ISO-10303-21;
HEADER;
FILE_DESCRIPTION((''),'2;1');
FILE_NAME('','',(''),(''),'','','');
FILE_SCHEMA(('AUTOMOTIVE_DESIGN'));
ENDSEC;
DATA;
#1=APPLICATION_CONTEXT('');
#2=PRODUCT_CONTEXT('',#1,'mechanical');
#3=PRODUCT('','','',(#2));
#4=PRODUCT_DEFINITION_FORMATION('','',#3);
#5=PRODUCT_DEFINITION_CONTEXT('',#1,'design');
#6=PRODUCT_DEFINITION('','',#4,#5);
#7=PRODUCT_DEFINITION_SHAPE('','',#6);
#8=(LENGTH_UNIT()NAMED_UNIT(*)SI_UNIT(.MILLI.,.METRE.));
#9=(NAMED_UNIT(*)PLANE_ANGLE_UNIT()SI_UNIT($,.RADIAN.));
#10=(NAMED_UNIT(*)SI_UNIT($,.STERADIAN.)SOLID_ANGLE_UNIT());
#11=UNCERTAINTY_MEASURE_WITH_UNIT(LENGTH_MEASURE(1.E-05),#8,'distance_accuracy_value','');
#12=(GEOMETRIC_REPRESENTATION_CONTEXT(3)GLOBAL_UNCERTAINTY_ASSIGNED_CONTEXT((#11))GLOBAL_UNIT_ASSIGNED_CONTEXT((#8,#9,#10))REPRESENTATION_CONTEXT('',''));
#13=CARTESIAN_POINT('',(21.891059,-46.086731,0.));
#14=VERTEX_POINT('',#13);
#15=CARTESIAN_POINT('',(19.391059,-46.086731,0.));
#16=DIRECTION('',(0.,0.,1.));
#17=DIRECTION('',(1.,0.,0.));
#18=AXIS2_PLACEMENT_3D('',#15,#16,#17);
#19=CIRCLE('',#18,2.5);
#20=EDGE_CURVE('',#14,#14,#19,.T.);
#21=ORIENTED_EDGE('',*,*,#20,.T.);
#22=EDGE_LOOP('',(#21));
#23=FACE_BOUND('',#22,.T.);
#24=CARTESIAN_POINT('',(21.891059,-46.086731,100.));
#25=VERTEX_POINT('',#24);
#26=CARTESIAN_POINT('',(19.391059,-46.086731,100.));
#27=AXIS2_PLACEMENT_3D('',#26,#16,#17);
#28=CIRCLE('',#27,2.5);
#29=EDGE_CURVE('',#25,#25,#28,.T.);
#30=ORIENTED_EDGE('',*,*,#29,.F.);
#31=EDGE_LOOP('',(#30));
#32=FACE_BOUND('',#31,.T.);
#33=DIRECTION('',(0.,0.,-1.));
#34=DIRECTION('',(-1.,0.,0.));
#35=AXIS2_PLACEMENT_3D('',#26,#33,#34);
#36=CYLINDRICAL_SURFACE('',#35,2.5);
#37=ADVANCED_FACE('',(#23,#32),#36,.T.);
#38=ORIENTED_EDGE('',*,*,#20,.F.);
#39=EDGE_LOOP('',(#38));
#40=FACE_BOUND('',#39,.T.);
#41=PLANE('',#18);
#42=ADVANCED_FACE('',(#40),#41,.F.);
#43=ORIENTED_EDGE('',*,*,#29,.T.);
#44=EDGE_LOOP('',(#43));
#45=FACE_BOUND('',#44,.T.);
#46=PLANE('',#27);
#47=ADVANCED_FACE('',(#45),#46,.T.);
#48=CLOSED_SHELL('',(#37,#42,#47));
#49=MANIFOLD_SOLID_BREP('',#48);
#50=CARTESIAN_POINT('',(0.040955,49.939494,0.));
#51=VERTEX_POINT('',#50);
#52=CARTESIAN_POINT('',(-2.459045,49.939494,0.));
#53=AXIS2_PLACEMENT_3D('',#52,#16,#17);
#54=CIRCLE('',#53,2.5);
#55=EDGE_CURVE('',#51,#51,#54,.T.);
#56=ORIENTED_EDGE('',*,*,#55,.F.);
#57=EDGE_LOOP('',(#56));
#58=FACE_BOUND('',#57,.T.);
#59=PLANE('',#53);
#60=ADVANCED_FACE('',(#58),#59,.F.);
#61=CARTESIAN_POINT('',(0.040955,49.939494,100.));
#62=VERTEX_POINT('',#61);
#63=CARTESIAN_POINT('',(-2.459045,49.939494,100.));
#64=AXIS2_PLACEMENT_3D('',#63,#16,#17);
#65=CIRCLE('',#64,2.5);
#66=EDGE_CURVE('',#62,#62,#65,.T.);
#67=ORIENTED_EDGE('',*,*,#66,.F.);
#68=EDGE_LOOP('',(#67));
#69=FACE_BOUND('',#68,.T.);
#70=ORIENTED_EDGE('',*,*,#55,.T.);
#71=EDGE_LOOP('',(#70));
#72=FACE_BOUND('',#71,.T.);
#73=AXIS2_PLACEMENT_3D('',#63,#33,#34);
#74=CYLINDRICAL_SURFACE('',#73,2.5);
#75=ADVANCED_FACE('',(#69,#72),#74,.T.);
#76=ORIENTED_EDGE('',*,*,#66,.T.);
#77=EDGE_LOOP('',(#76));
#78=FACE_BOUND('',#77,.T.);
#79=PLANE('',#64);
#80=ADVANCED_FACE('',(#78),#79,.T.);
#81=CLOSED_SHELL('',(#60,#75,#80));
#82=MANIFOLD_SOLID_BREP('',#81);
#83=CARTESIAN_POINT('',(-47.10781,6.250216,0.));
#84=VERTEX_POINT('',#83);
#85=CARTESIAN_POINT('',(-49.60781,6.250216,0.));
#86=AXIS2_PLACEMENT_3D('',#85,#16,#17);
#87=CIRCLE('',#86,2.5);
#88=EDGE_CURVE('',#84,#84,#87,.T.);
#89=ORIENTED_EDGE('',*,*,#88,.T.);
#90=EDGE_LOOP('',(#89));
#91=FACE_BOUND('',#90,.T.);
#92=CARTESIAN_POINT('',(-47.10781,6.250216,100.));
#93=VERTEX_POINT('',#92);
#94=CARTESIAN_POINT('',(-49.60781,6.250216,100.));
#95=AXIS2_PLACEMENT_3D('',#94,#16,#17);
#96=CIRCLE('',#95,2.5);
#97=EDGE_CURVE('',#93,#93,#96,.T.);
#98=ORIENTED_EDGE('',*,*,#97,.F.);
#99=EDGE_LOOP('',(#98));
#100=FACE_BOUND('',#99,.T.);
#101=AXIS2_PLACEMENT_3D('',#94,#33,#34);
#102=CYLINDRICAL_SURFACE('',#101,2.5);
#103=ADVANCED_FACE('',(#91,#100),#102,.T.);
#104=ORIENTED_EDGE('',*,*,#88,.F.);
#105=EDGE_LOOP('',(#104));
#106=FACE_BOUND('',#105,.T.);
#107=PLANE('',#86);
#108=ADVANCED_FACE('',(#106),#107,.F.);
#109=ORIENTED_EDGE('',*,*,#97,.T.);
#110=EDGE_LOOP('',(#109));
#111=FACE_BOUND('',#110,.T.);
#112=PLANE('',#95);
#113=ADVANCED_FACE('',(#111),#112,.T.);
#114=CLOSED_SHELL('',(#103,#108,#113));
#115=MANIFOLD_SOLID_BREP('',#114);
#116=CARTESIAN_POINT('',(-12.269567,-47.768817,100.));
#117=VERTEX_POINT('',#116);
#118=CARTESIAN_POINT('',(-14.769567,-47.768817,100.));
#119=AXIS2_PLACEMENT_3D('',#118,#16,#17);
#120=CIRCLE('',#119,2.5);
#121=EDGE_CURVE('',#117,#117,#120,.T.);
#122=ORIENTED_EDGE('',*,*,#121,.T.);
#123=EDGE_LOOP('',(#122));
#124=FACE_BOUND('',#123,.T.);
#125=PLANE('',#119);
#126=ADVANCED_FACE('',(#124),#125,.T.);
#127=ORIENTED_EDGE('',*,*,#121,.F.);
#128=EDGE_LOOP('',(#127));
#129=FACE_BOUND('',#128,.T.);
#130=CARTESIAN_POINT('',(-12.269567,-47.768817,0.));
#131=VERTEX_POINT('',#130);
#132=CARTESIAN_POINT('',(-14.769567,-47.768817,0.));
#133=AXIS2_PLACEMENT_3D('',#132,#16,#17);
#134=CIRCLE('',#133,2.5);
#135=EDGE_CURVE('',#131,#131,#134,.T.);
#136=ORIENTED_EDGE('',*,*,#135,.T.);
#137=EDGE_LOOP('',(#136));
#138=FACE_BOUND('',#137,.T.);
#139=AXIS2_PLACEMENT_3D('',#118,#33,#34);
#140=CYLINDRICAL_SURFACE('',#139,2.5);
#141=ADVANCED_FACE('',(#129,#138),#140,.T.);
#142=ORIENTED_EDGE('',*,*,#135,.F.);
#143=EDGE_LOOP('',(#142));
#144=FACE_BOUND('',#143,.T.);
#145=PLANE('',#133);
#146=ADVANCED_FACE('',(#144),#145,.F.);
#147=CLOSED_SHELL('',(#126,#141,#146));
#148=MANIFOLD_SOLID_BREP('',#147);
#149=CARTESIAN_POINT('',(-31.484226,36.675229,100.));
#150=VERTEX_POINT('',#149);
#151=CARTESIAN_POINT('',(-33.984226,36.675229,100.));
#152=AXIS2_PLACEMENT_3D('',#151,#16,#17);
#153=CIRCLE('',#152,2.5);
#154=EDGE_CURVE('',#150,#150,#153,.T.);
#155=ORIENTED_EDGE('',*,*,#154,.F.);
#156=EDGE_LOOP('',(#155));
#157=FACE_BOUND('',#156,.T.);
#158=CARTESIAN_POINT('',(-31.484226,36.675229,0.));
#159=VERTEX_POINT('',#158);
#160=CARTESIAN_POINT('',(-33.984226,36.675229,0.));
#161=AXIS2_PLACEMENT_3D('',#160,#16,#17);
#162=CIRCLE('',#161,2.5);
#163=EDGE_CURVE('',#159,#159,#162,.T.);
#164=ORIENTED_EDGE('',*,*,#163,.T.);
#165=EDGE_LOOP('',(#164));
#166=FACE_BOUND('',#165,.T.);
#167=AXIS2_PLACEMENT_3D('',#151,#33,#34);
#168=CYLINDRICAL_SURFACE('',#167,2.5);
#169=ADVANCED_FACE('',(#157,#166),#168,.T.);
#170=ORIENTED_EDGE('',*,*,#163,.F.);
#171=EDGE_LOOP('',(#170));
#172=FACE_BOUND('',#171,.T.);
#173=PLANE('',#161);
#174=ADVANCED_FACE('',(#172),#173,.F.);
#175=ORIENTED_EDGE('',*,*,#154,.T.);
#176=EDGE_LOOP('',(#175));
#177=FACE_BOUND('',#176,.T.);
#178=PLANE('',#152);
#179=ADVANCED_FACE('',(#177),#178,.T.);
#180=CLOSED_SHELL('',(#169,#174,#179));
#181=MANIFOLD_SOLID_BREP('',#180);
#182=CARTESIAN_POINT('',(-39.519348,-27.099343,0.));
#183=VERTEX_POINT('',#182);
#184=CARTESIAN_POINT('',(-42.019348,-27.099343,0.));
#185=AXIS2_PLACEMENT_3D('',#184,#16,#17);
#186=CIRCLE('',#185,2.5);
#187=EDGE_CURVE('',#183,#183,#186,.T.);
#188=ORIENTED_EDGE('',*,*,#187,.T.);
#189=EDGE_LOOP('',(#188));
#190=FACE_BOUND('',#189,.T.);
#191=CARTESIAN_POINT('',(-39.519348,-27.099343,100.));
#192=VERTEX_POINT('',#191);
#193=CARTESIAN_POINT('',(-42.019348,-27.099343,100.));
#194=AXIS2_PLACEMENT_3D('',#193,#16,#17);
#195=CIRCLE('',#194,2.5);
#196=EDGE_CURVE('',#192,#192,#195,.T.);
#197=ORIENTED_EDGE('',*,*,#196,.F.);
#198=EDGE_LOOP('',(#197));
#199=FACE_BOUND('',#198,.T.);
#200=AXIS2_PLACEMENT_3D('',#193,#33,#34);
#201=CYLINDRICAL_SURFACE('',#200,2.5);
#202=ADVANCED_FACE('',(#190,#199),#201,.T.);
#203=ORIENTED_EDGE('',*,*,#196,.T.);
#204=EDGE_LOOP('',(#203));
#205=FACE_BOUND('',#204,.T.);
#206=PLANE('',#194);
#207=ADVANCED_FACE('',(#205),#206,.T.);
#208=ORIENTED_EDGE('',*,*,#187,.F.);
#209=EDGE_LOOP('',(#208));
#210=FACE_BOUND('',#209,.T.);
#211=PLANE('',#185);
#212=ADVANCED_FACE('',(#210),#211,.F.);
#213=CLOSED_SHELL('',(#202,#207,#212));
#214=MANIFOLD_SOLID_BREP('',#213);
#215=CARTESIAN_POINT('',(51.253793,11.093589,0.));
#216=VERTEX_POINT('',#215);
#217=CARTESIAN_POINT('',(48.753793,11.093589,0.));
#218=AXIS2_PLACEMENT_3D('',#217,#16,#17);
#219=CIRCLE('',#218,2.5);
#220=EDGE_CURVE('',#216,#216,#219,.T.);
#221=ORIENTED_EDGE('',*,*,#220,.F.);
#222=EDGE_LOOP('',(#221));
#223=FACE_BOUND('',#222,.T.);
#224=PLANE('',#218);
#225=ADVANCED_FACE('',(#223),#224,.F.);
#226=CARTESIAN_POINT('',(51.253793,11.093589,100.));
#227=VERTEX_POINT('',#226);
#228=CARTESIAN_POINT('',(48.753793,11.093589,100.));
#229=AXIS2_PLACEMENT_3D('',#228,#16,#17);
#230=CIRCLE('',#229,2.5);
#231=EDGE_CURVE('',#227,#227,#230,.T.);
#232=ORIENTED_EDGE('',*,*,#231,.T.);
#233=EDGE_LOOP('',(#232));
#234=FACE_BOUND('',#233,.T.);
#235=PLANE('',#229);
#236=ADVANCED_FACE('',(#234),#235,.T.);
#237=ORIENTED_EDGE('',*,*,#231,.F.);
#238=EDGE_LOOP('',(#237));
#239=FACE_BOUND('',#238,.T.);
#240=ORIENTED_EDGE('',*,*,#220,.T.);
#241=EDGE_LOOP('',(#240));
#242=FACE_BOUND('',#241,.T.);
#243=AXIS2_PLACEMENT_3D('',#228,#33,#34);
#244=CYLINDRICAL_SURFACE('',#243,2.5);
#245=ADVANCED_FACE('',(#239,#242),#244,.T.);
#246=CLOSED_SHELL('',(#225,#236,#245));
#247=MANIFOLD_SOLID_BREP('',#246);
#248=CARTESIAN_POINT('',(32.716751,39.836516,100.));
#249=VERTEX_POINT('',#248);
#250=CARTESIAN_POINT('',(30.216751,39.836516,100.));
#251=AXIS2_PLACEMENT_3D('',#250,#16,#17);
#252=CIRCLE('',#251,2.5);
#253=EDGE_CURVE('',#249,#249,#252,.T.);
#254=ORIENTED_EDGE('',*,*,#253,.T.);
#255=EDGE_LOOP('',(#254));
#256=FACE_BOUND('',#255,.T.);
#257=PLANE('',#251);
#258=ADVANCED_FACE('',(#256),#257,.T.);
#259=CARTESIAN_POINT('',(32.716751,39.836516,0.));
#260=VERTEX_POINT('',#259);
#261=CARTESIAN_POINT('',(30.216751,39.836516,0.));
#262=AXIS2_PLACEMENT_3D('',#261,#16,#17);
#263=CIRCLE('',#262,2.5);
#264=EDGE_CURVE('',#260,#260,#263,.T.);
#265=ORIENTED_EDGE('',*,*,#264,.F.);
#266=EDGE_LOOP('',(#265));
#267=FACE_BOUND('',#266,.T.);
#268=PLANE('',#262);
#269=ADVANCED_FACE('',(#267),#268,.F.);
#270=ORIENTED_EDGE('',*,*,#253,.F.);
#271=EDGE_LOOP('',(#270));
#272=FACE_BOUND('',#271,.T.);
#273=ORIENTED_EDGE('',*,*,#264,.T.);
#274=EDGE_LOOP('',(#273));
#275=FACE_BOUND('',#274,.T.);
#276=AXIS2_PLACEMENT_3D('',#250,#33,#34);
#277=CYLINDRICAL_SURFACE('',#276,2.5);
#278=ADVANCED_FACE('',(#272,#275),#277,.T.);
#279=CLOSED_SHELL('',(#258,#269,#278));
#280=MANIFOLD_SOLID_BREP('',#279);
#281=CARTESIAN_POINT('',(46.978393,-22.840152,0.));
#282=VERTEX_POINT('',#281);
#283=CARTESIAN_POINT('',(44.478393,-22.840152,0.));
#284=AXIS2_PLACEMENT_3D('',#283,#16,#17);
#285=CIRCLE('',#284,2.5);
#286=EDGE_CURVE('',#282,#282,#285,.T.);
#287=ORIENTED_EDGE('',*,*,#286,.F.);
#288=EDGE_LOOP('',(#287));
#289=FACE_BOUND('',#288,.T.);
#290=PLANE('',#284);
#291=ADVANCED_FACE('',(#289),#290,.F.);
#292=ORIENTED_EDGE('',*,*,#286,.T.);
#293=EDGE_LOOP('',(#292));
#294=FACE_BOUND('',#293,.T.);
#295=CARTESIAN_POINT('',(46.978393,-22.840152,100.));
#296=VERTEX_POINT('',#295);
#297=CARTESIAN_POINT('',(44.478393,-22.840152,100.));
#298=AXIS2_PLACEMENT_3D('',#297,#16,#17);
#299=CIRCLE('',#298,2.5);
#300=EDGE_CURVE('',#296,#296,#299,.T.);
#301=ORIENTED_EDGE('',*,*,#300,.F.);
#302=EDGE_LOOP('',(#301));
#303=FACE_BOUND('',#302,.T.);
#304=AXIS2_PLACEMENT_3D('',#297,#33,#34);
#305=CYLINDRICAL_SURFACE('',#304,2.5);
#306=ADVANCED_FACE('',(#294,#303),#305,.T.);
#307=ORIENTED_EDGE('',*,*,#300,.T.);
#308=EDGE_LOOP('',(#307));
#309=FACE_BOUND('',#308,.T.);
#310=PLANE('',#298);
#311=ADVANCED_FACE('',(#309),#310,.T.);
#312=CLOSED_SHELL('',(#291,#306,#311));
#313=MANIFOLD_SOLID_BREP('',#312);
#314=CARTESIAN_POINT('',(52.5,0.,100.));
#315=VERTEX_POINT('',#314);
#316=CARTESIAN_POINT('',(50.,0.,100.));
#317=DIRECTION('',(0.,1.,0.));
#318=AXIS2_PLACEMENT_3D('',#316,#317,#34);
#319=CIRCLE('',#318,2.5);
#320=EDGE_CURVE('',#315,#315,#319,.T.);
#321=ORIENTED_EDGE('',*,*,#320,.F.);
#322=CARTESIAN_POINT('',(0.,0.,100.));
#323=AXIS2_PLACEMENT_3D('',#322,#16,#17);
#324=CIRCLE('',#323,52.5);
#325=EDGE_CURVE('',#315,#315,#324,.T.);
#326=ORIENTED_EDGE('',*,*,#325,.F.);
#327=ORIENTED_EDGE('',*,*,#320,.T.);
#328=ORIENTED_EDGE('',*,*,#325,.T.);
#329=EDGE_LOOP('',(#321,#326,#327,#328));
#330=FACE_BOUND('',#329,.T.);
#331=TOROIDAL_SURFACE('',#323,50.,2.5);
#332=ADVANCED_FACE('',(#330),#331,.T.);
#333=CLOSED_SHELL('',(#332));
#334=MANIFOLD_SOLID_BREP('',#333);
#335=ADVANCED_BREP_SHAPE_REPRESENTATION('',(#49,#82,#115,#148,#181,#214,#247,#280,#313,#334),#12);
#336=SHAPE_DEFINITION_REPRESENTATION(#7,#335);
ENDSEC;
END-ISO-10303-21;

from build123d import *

# Parameters (mm, degrees)
SKIZZE1_R                         = 2.5
AUFSATZ_LINEAR_AUSTRAGEN1_DEPTH   = 100
AUFSATZ_LINEAR_AUSTRAGEN1_2_DEPTH = 100
AUFSATZ_LINEAR_AUSTRAGEN1_3_DEPTH = 100
AUFSATZ_LINEAR_AUSTRAGEN1_4_DEPTH = 100
AUFSATZ_LINEAR_AUSTRAGEN1_5_DEPTH = 100
AUFSATZ_LINEAR_AUSTRAGEN1_6_DEPTH = 100
AUFSATZ_LINEAR_AUSTRAGEN1_7_DEPTH = 100
AUFSATZ_LINEAR_AUSTRAGEN1_8_DEPTH = 100
AUFSATZ_LINEAR_AUSTRAGEN1_9_DEPTH = 100
AUSTRAGUNG1_PROFILE_R             = 2.5


with BuildPart() as part:
    # Skizze1 → Aufsatz-Linear austragen1 (new body)
    with BuildSketch(Plane.XY):
        with Locations((-42.019348311, -27.099342566)):
            Circle(SKIZZE1_R)
    extrude(amount=AUFSATZ_LINEAR_AUSTRAGEN1_DEPTH)


with BuildPart() as body_2:
    # Skizze1 → Aufsatz-Linear austragen1 2 (new body)
    with BuildSketch(Plane.XY):
        with Locations((-14.769566645, -47.768817246)):
            Circle(SKIZZE1_R)
    extrude(amount=AUFSATZ_LINEAR_AUSTRAGEN1_2_DEPTH)


with BuildPart() as body_3:
    # Skizze1 → Aufsatz-Linear austragen1 3 (new body)
    with BuildSketch(Plane.XY):
        with Locations((19.391059399, -46.086731446)):
            Circle(SKIZZE1_R)
    extrude(amount=AUFSATZ_LINEAR_AUSTRAGEN1_3_DEPTH)


with BuildPart() as body_4:
    # Skizze1 → Aufsatz-Linear austragen1 4 (new body)
    with BuildSketch(Plane.XY):
        with Locations((44.478393243, -22.840151805)):
            Circle(SKIZZE1_R)
    extrude(amount=AUFSATZ_LINEAR_AUSTRAGEN1_4_DEPTH)


with BuildPart() as body_5:
    # Skizze1 → Aufsatz-Linear austragen1 5 (new body)
    with BuildSketch(Plane.XY):
        with Locations((48.753792567, 11.093588705)):
            Circle(SKIZZE1_R)
    extrude(amount=AUFSATZ_LINEAR_AUSTRAGEN1_5_DEPTH)


with BuildPart() as body_6:
    # Skizze1 → Aufsatz-Linear austragen1 6 (new body)
    with BuildSketch(Plane.XY):
        with Locations((30.21675051, 39.836515769)):
            Circle(SKIZZE1_R)
    extrude(amount=AUFSATZ_LINEAR_AUSTRAGEN1_6_DEPTH)


with BuildPart() as body_7:
    # Skizze1 → Aufsatz-Linear austragen1 7 (new body)
    with BuildSketch(Plane.XY):
        with Locations((-2.459044932, 49.939494371)):
            Circle(SKIZZE1_R)
    extrude(amount=AUFSATZ_LINEAR_AUSTRAGEN1_7_DEPTH)


with BuildPart() as body_8:
    # Skizze1 → Aufsatz-Linear austragen1 8 (new body)
    with BuildSketch(Plane.XY):
        with Locations((-33.984225921, 36.675228541)):
            Circle(SKIZZE1_R)
    extrude(amount=AUFSATZ_LINEAR_AUSTRAGEN1_8_DEPTH)


with BuildPart() as body_9:
    # Skizze1 → Aufsatz-Linear austragen1 9 (new body)
    with BuildSketch(Plane.XY):
        with Locations((-49.607809909, 6.250215677)):
            Circle(SKIZZE1_R)
    extrude(amount=AUFSATZ_LINEAR_AUSTRAGEN1_9_DEPTH)


with BuildPart() as body_10:
    # Austragung1: sweep along a path in Skizze2
    with BuildLine(Plane.XY.offset(100)) as austragung1_path:
        CenterArc((0, 0), 50, 0, 360)
    # Austragung1 profile (on start of the path) → Austragung1 (sweep)
    with BuildSketch(Plane(origin=(50, 0, 100), x_dir=(0, 0, 1), z_dir=(0, 1, 0))):
        Circle(AUSTRAGUNG1_PROFILE_R)
    sweep(path=austragung1_path.line)


solid = Compound([part.part, body_2.part, body_3.part, body_4.part, body_5.part, body_6.part, body_7.part, body_8.part, body_9.part, body_10.part])
